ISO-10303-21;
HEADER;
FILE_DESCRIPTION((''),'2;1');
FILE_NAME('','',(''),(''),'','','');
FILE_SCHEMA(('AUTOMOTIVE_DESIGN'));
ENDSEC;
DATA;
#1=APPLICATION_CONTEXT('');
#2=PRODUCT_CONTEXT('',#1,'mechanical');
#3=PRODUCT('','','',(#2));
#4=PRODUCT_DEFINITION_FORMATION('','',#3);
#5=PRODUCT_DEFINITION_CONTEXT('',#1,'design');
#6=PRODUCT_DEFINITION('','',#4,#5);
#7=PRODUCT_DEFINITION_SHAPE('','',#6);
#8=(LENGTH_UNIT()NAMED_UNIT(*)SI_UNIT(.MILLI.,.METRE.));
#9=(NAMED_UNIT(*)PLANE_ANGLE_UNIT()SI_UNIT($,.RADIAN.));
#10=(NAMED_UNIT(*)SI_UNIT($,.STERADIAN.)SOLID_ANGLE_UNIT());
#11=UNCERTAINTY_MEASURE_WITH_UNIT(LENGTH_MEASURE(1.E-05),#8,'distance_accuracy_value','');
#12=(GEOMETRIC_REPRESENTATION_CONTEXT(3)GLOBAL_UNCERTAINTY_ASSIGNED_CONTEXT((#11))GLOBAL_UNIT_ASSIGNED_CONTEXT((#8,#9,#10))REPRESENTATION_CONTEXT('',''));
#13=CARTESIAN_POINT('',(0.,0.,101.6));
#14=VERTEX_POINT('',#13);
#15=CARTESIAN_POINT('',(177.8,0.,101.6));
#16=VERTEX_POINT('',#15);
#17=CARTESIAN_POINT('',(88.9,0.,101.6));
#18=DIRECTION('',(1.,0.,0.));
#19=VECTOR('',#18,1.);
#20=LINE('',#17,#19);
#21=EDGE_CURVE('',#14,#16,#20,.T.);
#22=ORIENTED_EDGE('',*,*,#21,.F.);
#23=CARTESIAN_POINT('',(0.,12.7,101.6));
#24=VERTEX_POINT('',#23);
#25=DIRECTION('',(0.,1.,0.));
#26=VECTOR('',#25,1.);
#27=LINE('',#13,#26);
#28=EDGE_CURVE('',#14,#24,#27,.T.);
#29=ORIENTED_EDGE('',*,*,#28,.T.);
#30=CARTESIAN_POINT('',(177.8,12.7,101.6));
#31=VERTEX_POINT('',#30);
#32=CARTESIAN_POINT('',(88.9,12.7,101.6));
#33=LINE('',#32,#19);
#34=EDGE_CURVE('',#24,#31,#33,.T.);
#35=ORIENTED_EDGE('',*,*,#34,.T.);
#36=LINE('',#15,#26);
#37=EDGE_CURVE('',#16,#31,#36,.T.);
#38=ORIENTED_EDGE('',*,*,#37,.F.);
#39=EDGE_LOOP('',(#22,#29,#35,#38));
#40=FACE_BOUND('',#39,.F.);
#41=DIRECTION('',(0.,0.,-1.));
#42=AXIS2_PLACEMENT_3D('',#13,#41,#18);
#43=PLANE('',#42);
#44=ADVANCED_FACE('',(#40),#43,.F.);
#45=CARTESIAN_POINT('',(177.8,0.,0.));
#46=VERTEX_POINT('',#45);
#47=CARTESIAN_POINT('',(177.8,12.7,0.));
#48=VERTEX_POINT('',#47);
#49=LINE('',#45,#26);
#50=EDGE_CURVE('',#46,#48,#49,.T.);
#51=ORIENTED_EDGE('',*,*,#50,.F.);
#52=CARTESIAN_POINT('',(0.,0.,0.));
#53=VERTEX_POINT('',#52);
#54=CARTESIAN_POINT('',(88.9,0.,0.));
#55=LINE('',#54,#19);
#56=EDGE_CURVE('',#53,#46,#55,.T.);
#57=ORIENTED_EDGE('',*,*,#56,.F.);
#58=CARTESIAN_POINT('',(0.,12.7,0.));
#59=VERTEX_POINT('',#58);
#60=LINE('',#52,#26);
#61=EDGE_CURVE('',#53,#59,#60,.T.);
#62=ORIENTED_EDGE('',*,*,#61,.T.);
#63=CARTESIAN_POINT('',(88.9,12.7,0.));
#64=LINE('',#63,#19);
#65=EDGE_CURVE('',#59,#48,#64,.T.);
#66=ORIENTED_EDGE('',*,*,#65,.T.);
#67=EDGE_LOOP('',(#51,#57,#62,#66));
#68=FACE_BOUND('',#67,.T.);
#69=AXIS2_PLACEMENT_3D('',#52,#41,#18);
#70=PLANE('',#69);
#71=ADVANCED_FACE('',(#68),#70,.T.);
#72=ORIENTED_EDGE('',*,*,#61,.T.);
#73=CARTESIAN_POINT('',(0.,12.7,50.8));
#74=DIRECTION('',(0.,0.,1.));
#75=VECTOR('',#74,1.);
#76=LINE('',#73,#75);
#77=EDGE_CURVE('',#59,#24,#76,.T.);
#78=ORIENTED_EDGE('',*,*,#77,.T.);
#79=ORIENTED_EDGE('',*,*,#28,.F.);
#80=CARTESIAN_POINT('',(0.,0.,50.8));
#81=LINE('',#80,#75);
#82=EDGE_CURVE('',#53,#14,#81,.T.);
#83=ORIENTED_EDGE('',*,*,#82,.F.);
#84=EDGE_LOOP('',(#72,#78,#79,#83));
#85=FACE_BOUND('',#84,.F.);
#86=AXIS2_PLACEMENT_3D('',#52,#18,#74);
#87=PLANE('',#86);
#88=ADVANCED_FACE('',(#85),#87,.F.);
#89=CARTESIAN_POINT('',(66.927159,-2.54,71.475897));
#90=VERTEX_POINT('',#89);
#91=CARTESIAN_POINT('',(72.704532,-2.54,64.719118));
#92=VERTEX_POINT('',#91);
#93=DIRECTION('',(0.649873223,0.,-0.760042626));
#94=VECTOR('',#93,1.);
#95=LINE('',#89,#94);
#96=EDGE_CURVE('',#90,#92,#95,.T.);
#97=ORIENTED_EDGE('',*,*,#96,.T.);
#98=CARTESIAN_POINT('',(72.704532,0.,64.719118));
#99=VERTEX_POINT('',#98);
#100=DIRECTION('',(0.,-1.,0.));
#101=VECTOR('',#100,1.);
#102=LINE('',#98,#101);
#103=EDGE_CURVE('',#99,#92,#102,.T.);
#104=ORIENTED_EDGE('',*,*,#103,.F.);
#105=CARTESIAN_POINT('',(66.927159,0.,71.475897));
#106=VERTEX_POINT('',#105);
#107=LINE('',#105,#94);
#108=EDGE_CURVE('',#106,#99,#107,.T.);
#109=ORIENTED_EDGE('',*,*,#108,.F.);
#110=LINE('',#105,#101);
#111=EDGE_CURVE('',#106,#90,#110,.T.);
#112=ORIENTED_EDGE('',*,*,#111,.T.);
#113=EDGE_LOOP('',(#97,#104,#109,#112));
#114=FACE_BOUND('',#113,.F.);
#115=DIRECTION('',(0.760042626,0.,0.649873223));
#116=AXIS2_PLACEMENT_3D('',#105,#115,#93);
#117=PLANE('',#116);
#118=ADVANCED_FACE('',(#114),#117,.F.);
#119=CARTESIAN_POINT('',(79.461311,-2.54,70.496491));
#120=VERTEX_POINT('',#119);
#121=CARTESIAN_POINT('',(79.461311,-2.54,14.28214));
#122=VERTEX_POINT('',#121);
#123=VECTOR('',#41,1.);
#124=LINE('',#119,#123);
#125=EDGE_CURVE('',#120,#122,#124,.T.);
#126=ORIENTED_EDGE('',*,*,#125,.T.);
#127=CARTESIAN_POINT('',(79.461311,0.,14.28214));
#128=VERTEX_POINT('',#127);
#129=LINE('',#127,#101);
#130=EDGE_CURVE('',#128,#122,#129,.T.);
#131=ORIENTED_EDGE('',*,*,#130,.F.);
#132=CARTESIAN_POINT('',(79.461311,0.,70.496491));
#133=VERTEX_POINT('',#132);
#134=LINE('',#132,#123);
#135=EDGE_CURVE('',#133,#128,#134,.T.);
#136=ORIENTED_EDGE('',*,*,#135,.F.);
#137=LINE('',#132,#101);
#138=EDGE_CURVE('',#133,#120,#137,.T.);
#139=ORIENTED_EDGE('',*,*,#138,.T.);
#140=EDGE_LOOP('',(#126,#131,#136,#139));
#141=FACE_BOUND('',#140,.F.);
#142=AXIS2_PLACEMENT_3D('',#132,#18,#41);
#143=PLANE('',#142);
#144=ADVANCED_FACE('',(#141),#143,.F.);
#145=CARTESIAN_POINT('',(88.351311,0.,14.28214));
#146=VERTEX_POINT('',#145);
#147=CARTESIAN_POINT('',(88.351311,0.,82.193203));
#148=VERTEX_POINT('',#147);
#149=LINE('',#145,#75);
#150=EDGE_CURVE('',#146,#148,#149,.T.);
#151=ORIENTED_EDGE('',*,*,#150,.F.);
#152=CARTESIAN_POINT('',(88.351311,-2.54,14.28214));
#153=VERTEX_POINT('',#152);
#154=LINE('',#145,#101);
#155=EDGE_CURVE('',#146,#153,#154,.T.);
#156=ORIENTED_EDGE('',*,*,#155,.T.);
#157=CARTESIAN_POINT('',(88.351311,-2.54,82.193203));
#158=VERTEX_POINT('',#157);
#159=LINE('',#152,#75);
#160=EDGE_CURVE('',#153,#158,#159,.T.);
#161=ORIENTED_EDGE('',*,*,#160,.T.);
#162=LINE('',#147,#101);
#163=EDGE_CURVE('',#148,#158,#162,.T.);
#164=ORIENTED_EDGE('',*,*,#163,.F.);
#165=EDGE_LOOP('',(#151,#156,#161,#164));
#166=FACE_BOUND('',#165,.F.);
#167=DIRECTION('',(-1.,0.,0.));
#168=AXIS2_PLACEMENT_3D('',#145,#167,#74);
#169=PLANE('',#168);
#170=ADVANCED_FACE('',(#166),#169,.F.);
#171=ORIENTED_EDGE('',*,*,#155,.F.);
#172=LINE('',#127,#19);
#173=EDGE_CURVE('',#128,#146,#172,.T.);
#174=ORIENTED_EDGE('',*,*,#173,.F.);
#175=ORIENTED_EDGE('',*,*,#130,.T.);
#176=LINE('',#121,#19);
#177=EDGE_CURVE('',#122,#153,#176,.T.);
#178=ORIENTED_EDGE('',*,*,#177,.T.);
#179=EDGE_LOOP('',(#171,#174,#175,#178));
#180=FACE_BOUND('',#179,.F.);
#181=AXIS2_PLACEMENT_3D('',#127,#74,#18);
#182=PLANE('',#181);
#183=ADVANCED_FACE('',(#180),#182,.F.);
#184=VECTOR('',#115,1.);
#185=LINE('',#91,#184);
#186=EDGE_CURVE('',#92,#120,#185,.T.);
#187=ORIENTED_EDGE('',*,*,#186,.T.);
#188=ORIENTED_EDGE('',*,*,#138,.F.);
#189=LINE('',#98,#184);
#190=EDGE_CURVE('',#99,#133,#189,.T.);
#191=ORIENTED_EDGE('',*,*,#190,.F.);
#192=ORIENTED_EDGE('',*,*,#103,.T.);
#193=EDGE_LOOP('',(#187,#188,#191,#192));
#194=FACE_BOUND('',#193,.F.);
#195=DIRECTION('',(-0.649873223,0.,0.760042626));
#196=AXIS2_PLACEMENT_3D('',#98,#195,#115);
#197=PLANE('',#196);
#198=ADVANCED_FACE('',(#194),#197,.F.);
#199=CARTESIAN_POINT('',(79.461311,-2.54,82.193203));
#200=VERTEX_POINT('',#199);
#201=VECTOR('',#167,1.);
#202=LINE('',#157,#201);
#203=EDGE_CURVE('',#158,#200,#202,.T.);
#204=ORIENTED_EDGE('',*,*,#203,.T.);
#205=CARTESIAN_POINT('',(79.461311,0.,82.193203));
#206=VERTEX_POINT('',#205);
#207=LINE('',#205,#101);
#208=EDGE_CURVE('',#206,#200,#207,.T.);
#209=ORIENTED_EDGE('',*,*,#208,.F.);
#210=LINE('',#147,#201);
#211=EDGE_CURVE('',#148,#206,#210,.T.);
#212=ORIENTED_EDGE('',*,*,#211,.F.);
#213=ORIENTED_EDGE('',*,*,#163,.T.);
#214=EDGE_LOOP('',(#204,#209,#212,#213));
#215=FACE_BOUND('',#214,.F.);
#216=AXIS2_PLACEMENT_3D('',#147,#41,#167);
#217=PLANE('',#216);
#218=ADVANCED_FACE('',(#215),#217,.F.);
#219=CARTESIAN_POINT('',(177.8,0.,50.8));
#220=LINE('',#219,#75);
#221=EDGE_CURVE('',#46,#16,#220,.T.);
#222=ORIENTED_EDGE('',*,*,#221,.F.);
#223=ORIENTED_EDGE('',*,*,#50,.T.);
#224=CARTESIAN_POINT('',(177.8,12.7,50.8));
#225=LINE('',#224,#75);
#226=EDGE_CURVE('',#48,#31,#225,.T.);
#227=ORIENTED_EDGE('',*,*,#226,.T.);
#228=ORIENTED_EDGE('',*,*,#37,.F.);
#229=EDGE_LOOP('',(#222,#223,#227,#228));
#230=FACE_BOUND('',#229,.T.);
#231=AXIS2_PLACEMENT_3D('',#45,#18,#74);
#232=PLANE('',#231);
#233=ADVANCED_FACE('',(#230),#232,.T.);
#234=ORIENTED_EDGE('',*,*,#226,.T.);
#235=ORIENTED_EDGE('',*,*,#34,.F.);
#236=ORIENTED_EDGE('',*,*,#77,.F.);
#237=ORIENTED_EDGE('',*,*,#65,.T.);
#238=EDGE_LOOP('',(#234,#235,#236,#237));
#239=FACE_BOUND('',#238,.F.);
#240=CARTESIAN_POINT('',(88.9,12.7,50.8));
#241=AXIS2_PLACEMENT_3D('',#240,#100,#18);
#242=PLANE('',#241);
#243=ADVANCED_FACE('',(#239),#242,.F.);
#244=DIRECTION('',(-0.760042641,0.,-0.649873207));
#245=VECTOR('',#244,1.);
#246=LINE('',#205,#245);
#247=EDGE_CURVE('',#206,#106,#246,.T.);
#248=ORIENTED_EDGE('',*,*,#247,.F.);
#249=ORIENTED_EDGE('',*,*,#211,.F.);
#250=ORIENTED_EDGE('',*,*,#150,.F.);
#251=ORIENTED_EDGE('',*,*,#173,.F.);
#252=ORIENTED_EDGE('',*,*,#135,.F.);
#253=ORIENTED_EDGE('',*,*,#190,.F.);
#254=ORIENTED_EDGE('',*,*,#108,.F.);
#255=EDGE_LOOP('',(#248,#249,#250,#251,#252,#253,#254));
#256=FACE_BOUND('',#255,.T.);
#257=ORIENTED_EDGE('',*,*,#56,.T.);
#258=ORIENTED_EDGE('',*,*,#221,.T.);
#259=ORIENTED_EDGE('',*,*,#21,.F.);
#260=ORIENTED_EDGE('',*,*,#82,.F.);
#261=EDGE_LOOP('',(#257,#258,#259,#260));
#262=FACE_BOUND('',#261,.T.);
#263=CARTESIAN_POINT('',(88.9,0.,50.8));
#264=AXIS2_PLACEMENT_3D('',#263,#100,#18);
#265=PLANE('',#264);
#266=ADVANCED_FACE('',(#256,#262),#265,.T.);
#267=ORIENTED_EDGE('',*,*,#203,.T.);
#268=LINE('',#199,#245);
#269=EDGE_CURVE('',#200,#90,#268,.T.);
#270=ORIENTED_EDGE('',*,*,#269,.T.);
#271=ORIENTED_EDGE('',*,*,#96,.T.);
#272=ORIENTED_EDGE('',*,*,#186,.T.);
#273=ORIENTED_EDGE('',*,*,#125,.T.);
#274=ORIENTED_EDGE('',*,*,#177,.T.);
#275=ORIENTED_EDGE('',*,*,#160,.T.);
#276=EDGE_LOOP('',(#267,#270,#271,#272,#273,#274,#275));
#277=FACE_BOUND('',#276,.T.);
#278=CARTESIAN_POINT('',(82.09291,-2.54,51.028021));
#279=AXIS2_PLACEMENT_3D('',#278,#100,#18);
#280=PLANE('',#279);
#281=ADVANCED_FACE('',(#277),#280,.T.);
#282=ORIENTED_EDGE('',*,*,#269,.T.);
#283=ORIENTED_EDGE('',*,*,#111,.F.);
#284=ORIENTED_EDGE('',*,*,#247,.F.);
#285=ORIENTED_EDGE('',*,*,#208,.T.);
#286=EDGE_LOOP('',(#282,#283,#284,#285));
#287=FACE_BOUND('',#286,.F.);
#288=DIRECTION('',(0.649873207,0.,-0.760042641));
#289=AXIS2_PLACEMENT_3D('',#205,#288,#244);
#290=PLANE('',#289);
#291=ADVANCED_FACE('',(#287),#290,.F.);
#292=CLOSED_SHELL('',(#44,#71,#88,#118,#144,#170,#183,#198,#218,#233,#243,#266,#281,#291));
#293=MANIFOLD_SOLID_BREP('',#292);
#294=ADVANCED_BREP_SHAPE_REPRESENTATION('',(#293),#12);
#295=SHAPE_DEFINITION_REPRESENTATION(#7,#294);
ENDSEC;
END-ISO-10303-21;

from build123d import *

# Parameters (mm, degrees)
F0_W     = 177.8
F0_H     = 101.6
F1_DEPTH = 12.7
F3_DEPTH = 2.54


with BuildPart() as f1:
    # F0 (on Front) → F1 (new body)
    with BuildSketch(Plane.XZ):
        with Locations((88.9, 50.8)):
            Rectangle(F0_W, F0_H)
    extrude(amount=-F1_DEPTH)

    # F2 (on face) → F3 (join)
    with BuildSketch(Plane.XZ):
        Polygon((88.351311, 82.193203), (79.461311, 82.193203), (66.927159, 71.475897), (72.704532, 64.719118), (79.461311, 70.496491), (79.461311, 14.28214), (88.351311, 14.28214), align=None)
    extrude(amount=F3_DEPTH)


solid = f1.part
